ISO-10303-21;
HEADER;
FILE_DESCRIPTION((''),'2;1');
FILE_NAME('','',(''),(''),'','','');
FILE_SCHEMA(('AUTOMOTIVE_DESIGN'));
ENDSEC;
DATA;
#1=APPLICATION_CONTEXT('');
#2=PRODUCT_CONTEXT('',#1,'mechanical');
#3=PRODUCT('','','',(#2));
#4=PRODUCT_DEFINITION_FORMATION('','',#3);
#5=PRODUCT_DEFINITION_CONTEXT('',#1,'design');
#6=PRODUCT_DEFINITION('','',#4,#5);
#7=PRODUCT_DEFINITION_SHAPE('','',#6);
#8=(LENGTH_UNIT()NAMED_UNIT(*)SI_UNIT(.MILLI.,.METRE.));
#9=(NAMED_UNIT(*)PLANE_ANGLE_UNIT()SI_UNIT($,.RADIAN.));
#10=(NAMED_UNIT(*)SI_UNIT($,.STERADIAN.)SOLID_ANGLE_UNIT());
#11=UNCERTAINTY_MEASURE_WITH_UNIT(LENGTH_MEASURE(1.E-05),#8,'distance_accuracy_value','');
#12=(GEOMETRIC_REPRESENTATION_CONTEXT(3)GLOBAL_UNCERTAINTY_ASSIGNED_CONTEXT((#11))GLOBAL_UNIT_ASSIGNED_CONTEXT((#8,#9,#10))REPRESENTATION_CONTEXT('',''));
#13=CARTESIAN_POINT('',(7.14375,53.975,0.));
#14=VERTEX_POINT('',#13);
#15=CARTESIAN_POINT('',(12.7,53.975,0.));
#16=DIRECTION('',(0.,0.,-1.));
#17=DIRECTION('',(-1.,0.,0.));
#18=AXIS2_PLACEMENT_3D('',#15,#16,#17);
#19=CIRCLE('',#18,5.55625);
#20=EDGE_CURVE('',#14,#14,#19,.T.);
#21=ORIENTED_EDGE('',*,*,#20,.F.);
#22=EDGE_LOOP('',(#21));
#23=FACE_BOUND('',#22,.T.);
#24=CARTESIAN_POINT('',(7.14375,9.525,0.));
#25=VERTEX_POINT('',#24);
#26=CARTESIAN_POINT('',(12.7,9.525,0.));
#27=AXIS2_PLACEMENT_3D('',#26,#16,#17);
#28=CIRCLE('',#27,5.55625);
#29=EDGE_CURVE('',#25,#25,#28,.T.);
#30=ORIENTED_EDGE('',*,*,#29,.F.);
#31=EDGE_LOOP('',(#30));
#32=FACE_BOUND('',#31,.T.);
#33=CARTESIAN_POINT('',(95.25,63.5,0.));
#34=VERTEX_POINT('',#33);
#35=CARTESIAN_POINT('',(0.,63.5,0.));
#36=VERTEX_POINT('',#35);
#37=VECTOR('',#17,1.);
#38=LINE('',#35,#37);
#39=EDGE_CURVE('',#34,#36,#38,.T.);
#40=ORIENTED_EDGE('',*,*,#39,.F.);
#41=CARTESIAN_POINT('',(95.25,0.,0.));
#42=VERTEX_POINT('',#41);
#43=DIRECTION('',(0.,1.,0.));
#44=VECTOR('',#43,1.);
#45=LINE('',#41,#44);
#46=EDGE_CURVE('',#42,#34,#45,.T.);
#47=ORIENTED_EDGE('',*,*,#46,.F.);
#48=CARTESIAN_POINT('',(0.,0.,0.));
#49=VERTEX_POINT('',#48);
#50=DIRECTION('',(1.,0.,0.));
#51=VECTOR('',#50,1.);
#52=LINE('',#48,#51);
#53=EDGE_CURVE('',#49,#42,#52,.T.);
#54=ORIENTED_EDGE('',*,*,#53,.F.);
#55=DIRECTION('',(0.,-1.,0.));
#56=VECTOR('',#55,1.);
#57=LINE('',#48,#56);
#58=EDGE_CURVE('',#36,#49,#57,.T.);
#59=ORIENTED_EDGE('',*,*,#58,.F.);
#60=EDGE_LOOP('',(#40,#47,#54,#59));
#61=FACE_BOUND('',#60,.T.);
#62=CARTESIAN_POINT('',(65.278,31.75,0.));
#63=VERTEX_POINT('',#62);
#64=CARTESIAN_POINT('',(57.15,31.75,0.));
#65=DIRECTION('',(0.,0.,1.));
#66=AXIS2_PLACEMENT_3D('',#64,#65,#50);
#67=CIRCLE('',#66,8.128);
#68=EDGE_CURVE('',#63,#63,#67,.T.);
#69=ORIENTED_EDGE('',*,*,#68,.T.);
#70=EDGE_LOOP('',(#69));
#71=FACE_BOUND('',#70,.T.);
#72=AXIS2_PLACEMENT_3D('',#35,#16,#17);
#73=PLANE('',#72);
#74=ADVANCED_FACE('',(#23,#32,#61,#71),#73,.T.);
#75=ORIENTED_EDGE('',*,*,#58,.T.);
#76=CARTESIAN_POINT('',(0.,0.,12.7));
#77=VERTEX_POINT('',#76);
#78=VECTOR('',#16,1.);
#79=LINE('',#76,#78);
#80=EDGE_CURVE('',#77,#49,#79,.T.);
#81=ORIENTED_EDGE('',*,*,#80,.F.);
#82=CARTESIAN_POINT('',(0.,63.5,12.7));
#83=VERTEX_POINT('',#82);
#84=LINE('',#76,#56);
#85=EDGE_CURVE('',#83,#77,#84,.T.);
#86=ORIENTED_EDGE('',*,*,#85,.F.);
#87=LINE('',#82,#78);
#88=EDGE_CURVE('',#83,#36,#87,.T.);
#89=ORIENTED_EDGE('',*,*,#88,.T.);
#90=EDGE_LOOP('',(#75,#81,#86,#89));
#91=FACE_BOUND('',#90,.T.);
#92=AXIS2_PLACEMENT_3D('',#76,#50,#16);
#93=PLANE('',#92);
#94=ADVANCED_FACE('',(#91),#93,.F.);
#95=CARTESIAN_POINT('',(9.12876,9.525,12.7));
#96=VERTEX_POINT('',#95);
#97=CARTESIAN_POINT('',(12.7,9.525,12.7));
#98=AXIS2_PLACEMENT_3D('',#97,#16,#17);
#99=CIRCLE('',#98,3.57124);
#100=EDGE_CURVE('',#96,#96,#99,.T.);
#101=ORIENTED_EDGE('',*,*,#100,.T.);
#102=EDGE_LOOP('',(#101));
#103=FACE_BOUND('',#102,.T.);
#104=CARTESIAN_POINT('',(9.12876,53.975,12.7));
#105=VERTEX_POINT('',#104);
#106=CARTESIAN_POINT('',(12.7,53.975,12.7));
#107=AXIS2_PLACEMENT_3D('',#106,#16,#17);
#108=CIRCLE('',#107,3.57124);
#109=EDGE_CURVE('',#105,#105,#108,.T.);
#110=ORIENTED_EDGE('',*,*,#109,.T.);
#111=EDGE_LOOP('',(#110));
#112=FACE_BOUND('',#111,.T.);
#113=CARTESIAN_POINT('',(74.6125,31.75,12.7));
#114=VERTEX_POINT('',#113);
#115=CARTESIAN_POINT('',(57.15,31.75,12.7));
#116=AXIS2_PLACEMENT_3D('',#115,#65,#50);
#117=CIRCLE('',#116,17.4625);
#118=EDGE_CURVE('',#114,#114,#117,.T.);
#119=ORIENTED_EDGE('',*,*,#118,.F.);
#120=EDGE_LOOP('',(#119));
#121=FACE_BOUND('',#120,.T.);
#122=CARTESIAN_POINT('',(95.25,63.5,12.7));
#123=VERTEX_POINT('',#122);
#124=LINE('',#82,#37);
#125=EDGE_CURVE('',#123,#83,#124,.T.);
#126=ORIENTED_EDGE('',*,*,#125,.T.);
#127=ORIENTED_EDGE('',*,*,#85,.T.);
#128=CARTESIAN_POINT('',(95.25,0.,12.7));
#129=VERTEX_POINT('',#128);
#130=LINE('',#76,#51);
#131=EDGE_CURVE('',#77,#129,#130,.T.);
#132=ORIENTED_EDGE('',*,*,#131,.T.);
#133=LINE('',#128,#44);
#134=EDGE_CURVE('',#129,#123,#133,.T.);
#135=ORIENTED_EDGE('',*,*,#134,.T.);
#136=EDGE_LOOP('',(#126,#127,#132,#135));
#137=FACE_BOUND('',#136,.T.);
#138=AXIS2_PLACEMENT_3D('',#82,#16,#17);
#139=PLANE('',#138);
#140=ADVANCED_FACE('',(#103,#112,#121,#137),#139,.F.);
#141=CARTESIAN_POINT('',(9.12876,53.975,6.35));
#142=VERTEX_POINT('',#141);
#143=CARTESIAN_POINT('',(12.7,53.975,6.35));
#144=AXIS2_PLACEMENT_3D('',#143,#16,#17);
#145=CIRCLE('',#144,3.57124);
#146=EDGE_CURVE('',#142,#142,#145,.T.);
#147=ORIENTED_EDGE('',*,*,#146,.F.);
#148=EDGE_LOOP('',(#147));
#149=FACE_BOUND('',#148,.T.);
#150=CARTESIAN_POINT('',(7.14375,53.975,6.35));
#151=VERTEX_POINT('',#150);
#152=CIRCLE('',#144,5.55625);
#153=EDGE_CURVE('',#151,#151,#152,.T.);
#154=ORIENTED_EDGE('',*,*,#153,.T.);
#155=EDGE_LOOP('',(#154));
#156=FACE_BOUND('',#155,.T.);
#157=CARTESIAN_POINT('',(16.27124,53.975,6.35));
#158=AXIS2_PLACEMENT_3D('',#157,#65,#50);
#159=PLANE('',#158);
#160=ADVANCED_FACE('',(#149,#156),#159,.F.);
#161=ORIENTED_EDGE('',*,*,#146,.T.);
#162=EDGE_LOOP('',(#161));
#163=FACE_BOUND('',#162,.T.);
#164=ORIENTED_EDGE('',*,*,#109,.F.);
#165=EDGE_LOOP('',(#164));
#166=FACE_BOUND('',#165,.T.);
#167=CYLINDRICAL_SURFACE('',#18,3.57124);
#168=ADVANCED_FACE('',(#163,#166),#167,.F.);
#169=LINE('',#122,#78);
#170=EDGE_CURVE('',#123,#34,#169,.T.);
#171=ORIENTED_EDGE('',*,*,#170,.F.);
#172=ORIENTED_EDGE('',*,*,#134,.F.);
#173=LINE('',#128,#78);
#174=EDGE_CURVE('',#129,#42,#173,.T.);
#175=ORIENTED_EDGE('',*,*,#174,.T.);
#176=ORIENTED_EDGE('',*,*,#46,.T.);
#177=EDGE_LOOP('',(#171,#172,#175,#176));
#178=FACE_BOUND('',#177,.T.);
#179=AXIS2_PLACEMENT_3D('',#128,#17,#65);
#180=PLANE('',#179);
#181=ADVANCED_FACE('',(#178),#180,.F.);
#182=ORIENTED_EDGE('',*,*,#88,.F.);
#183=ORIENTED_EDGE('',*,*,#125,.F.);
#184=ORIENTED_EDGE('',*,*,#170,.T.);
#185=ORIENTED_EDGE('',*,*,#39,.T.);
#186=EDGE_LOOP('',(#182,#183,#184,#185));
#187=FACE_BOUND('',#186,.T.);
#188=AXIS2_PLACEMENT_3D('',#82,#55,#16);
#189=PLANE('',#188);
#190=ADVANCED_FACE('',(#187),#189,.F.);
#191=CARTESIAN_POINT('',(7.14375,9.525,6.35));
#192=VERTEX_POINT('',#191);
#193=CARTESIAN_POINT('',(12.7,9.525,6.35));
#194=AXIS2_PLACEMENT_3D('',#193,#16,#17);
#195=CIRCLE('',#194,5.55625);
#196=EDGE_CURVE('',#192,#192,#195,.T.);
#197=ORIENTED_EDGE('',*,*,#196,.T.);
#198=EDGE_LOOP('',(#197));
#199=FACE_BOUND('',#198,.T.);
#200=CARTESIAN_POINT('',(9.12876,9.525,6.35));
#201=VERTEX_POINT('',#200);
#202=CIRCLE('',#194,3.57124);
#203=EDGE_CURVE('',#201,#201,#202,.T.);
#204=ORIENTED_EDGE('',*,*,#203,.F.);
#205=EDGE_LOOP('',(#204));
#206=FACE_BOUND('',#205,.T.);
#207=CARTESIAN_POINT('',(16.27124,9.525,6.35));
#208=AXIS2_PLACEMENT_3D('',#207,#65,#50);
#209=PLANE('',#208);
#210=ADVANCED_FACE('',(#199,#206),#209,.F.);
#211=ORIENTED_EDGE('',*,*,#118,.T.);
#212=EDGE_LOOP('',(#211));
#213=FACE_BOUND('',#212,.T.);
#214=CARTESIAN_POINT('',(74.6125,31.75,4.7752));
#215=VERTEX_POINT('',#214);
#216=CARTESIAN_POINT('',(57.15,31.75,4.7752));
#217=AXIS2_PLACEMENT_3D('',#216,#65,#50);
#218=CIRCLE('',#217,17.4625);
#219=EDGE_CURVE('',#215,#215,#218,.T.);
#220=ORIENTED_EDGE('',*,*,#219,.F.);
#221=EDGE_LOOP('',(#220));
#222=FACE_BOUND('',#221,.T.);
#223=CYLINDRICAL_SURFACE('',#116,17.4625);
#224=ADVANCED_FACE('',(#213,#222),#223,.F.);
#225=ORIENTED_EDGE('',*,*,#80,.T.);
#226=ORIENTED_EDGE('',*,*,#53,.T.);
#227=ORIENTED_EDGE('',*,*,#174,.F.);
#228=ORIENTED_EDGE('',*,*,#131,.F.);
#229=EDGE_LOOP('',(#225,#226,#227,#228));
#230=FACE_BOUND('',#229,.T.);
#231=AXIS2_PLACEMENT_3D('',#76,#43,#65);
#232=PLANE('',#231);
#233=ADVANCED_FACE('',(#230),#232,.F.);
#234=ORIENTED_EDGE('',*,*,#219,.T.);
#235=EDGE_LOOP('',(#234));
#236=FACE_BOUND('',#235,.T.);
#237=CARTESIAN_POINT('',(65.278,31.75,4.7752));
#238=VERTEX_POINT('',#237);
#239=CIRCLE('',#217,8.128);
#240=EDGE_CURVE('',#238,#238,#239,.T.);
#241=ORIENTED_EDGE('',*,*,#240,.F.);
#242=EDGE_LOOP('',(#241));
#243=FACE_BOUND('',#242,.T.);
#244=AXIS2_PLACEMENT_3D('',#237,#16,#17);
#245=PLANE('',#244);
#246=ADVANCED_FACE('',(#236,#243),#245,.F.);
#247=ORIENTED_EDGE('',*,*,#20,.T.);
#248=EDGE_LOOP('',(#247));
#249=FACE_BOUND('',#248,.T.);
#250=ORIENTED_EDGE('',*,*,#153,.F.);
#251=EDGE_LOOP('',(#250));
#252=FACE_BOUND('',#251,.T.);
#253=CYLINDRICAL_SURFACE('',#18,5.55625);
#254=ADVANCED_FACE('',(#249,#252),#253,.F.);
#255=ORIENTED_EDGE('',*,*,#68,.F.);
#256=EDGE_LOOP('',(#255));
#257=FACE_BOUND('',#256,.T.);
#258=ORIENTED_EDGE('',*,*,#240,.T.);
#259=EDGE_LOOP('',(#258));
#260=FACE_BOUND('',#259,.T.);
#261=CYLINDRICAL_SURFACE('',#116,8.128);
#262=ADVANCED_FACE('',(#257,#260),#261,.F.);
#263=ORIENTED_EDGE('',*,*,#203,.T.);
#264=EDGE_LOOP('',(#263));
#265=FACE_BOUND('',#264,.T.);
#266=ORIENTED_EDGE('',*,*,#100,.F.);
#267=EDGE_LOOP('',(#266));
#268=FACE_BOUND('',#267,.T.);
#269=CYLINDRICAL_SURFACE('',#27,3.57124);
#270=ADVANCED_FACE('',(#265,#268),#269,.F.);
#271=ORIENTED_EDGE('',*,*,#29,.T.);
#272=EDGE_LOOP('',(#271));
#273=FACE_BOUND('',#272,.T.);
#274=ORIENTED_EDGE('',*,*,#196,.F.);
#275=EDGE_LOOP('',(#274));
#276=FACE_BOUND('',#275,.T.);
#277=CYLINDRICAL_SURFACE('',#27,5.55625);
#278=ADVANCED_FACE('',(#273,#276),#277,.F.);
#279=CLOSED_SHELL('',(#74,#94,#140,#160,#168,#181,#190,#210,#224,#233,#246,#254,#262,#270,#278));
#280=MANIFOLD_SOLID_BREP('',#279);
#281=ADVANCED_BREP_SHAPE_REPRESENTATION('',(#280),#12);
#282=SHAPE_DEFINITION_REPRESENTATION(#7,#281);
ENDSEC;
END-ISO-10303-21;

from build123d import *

# Parameters (mm, degrees)
SKETCH1_W                                        = 95.25
SKETCH1_H                                        = 63.5
BOSS_EXTRUDE1_DEPTH                              = 12.7
CBORE_FOR_1_4_SOCKET_HEAD_CAP_SCREW1_D           = 7.14248
CBORE_FOR_1_4_SOCKET_HEAD_CAP_SCREW1_CBORE_D     = 11.1125
CBORE_FOR_1_4_SOCKET_HEAD_CAP_SCREW1_CBORE_DEPTH = 6.35
CBORE_FOR_5_8_SOCKET_HEAD_CAP_SCREW1_D           = 16.256
CBORE_FOR_5_8_SOCKET_HEAD_CAP_SCREW1_CBORE_D     = 34.925
CBORE_FOR_5_8_SOCKET_HEAD_CAP_SCREW1_CBORE_DEPTH = 7.9248


with BuildPart() as part:
    # Sketch1 → Boss-Extrude1 (new body)
    with BuildSketch(Plane.XY):
        with Locations((47.625, 31.75)):
            Rectangle(SKETCH1_W, SKETCH1_H)
    extrude(amount=BOSS_EXTRUDE1_DEPTH)

    # CBORE for 1/4 Socket Head Cap Screw1 (through all)
    with Locations(Plane(origin=(0, 0, 0), x_dir=(-1, 0, 0), z_dir=(0, 0, -1))):
        with Locations((-12.7, 53.975), (-12.7, 9.525)):
            CounterBoreHole(CBORE_FOR_1_4_SOCKET_HEAD_CAP_SCREW1_D / 2, CBORE_FOR_1_4_SOCKET_HEAD_CAP_SCREW1_CBORE_D / 2, CBORE_FOR_1_4_SOCKET_HEAD_CAP_SCREW1_CBORE_DEPTH)

    # CBORE for 5/8 Socket Head Cap Screw1 (through all)
    with Locations(Plane.XY.offset(12.7)):
        with Locations((57.15, 31.75)):
            CounterBoreHole(CBORE_FOR_5_8_SOCKET_HEAD_CAP_SCREW1_D / 2, CBORE_FOR_5_8_SOCKET_HEAD_CAP_SCREW1_CBORE_D / 2, CBORE_FOR_5_8_SOCKET_HEAD_CAP_SCREW1_CBORE_DEPTH)


solid = part.part
